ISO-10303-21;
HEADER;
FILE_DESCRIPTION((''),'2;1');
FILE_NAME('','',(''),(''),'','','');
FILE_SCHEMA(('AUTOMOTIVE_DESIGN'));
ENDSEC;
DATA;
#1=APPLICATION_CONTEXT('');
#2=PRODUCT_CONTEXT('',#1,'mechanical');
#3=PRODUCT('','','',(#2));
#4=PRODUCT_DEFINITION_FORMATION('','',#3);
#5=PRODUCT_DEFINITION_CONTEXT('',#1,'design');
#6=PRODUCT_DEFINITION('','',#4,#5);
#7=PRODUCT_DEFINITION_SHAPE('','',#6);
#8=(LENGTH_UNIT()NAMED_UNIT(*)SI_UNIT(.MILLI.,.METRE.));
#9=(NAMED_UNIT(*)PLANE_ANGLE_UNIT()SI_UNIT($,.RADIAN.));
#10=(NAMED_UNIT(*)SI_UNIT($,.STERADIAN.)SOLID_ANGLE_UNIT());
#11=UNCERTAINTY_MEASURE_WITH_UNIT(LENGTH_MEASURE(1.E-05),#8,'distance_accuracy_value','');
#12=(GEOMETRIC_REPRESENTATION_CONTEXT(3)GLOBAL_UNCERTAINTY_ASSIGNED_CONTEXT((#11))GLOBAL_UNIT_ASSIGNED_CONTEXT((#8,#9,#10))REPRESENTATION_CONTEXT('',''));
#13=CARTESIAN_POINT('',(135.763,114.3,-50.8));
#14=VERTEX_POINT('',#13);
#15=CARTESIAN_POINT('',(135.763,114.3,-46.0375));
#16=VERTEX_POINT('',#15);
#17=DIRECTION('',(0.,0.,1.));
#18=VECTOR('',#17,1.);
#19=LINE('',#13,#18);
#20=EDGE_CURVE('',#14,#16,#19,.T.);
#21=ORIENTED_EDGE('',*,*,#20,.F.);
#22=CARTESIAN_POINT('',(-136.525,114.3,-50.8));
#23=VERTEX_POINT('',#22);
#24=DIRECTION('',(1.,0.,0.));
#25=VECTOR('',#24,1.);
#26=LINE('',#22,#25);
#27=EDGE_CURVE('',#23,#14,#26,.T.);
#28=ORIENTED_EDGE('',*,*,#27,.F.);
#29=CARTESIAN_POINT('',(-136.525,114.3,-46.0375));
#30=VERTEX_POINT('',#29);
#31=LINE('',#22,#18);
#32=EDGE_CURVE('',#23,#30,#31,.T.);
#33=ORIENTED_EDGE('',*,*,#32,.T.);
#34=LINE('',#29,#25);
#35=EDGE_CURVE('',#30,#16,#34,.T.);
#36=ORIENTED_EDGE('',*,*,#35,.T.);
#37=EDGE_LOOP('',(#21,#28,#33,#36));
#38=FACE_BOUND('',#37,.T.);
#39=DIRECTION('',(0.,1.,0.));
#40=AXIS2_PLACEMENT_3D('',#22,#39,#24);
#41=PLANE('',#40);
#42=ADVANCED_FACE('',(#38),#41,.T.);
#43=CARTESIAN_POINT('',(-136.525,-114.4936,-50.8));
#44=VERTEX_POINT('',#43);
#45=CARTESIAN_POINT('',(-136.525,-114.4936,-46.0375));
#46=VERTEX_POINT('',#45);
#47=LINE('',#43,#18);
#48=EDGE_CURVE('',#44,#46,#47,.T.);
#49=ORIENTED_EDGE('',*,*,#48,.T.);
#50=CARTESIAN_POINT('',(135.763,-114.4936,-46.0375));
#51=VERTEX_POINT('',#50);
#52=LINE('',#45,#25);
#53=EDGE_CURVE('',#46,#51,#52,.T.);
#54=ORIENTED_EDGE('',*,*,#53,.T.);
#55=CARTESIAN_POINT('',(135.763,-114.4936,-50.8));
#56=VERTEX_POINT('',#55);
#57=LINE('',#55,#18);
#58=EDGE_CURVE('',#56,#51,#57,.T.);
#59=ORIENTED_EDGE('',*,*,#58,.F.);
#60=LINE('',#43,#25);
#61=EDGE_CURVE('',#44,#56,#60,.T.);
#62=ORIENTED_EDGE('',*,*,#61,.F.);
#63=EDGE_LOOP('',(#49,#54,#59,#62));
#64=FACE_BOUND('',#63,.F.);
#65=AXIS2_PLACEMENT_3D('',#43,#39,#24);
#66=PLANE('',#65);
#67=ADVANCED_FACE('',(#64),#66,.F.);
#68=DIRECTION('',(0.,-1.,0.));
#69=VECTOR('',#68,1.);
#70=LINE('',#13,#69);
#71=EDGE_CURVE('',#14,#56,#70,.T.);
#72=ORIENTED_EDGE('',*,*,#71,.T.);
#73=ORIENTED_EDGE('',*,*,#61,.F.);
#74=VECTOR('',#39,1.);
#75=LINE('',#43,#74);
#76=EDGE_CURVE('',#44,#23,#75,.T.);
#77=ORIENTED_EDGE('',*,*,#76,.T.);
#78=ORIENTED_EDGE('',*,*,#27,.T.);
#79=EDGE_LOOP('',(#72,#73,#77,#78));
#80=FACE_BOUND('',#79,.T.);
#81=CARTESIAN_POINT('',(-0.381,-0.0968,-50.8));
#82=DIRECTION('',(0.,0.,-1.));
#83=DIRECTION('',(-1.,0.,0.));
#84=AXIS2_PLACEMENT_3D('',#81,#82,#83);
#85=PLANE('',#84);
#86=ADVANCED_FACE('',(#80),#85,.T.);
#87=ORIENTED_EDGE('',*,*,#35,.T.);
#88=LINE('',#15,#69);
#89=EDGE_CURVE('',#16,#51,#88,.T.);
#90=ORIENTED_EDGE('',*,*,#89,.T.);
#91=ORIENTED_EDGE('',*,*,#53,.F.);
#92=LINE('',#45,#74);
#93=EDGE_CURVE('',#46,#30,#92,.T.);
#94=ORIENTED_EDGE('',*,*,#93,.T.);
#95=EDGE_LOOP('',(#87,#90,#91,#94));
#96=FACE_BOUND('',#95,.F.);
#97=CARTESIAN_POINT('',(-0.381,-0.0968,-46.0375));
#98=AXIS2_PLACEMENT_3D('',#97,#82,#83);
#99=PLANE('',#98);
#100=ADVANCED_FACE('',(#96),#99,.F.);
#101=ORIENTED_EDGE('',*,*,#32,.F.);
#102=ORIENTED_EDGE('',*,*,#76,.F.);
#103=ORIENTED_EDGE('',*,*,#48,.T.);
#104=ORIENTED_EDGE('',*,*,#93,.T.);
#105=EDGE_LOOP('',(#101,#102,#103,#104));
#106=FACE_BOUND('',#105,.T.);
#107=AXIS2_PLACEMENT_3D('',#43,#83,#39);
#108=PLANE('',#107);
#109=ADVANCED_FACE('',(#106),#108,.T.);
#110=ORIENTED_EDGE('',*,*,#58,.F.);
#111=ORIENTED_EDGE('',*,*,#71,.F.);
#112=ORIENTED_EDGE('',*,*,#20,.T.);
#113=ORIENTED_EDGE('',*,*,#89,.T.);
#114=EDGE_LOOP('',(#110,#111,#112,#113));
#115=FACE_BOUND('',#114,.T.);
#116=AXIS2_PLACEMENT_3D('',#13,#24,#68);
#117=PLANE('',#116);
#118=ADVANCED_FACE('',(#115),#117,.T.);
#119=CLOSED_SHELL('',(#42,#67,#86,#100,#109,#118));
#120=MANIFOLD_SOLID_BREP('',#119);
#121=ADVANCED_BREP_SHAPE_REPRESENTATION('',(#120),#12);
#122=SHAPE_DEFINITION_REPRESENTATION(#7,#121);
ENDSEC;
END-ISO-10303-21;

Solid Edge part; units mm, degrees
sketch "Sketch1" plane through (25.4, 117.475, -50.8) normal (0, 0, -1) x (1, 0, 0)
  line L0 (-161.925, 3.175) -> (110.363, 3.175)
  line L1 (110.363, 3.175) -> (110.363, 231.9686)
  line L2 (-161.925, 231.9686) -> (110.363, 231.9686)
  line L3 (-161.925, 231.9686) -> (-161.925, 3.175)
extrude "Protrusion1" add sketch "Sketch1" against normal blind 4.7625
